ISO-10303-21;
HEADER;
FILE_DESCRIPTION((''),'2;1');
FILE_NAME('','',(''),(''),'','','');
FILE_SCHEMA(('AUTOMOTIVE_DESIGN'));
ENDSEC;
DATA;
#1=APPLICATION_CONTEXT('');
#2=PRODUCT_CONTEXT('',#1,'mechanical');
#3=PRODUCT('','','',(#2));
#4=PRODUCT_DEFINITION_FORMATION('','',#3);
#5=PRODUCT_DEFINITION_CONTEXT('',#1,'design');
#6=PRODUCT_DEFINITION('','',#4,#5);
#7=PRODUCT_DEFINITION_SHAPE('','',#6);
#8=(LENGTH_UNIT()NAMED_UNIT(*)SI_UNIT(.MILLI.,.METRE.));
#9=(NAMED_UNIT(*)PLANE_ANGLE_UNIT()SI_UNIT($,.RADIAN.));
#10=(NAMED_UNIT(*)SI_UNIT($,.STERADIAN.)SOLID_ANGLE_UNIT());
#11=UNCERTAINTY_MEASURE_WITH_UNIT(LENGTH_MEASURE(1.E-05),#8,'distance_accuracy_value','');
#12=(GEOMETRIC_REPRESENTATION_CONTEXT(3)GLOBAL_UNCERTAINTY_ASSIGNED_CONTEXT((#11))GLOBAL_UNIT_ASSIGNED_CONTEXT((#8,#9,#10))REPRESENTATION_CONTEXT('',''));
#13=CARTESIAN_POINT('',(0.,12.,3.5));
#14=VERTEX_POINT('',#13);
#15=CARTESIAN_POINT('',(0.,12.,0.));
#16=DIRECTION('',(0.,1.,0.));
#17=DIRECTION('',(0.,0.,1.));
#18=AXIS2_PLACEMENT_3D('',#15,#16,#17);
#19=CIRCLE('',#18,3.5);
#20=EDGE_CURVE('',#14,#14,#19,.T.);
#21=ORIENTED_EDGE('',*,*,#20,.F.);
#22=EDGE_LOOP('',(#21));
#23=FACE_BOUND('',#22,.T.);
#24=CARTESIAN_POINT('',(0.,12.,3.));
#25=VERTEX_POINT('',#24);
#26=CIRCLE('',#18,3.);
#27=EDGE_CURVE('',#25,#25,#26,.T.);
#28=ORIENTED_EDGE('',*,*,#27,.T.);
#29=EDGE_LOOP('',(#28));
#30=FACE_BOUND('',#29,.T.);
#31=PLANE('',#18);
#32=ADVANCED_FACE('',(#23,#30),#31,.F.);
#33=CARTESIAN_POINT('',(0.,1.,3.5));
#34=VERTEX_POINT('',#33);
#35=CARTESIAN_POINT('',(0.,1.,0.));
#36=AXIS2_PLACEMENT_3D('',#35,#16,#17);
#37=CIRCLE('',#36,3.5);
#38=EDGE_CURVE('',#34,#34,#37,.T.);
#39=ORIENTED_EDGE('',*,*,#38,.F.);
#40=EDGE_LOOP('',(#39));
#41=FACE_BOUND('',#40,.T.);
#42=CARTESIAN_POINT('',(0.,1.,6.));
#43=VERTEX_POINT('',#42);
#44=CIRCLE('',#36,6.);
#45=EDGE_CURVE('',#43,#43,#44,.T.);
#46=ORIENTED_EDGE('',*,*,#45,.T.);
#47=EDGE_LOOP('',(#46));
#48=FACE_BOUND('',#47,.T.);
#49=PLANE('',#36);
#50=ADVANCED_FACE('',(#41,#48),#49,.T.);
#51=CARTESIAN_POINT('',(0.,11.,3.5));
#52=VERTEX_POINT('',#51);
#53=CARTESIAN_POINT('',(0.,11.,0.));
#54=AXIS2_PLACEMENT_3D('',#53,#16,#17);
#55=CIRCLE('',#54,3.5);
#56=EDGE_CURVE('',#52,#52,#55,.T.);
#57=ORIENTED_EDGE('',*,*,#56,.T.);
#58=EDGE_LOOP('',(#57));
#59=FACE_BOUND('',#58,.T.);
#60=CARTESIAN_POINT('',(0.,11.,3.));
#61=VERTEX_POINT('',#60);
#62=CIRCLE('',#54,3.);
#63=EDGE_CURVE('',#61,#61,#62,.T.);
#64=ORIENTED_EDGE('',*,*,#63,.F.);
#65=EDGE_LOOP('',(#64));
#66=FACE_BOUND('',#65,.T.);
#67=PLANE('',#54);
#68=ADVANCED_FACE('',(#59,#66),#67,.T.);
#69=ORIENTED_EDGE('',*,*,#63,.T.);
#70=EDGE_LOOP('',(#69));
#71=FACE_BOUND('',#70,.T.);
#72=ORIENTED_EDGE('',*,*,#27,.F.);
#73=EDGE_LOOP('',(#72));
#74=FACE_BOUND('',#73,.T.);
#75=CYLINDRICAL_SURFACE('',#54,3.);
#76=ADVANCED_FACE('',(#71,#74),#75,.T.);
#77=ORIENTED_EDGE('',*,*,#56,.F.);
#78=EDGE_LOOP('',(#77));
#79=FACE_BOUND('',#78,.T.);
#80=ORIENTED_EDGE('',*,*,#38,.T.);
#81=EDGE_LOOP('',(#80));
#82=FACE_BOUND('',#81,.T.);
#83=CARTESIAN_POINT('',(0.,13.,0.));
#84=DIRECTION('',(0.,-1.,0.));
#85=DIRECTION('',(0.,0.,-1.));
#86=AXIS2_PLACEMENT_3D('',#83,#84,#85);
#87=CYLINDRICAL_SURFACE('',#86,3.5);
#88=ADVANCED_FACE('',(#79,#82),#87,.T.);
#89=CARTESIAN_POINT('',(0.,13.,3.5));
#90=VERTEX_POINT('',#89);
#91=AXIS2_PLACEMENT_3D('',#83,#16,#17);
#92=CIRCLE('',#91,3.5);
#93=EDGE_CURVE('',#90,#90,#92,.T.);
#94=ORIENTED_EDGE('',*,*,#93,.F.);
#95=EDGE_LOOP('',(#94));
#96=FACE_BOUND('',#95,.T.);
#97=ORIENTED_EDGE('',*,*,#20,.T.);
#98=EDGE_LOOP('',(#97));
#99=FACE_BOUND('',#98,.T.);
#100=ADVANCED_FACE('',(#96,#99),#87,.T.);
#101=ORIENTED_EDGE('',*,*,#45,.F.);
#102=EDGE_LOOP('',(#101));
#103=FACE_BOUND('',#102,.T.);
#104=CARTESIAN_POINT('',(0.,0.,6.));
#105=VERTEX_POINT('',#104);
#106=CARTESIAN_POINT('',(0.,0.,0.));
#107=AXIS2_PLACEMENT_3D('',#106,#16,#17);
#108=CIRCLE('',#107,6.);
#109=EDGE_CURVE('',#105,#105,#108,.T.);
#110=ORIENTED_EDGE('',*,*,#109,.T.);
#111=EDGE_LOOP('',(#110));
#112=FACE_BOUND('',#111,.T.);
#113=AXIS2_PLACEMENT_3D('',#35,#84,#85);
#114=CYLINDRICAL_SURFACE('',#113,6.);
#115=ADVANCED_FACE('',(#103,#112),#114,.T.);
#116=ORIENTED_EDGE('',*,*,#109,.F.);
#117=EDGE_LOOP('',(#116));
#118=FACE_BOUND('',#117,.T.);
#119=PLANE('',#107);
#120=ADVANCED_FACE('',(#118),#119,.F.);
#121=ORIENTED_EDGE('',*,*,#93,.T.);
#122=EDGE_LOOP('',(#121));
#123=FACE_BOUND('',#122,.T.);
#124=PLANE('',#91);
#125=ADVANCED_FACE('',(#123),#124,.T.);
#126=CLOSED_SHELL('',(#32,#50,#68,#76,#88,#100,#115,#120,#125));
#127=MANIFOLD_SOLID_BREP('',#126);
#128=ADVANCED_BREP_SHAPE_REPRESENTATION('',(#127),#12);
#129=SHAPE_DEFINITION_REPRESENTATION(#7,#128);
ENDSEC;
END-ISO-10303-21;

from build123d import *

# Parameters (mm, degrees)
ESBO_O1_R                = 6
RESSALTO_EXTRUS_O1_DEPTH = 1
ESBO_O2_R                = 3.5
RESSALTO_EXTRUS_O2_DEPTH = 12
CORTE_EXTRUS_O1_START    = -2
ESBO_O3_R                = 3.5
ESBO_O3_R_2              = 3
CORTE_EXTRUS_O1_DEPTH    = 1


with BuildPart() as part:
    # Esboço1 → Ressalto-extrusão1 (new body)
    with BuildSketch(Plane(origin=(0, 0, 0), x_dir=(1, 0, 0), z_dir=(0, 1, 0))):
        with Locations(Location((0, 0, 0), (0, 0, 270))):
            Circle(ESBO_O1_R)
    extrude(amount=RESSALTO_EXTRUS_O1_DEPTH)

    # Esboço2 → Ressalto-extrusão2 (add)
    with BuildSketch(Plane(origin=(0, 1, 0), x_dir=(1, 0, 0), z_dir=(0, 1, 0))):
        with Locations(Location((0, 0, 0), (0, 0, 270))):
            Circle(ESBO_O2_R)
    extrude(amount=RESSALTO_EXTRUS_O2_DEPTH)

    # Esboço3 → Corte-extrusão1 (cut)
    with BuildSketch(Plane(origin=(0, 13, 0), x_dir=(1, 0, 0), z_dir=(0, 1, 0)).offset(CORTE_EXTRUS_O1_START)):
        with Locations(Location((0, 0, 0), (0, 0, 270))):
            Circle(ESBO_O3_R)
        with Locations(Location((0, 0, 0), (0, 0, 270))):
            Circle(ESBO_O3_R_2, mode=Mode.SUBTRACT)
    extrude(amount=CORTE_EXTRUS_O1_DEPTH, mode=Mode.SUBTRACT)


solid = part.part
